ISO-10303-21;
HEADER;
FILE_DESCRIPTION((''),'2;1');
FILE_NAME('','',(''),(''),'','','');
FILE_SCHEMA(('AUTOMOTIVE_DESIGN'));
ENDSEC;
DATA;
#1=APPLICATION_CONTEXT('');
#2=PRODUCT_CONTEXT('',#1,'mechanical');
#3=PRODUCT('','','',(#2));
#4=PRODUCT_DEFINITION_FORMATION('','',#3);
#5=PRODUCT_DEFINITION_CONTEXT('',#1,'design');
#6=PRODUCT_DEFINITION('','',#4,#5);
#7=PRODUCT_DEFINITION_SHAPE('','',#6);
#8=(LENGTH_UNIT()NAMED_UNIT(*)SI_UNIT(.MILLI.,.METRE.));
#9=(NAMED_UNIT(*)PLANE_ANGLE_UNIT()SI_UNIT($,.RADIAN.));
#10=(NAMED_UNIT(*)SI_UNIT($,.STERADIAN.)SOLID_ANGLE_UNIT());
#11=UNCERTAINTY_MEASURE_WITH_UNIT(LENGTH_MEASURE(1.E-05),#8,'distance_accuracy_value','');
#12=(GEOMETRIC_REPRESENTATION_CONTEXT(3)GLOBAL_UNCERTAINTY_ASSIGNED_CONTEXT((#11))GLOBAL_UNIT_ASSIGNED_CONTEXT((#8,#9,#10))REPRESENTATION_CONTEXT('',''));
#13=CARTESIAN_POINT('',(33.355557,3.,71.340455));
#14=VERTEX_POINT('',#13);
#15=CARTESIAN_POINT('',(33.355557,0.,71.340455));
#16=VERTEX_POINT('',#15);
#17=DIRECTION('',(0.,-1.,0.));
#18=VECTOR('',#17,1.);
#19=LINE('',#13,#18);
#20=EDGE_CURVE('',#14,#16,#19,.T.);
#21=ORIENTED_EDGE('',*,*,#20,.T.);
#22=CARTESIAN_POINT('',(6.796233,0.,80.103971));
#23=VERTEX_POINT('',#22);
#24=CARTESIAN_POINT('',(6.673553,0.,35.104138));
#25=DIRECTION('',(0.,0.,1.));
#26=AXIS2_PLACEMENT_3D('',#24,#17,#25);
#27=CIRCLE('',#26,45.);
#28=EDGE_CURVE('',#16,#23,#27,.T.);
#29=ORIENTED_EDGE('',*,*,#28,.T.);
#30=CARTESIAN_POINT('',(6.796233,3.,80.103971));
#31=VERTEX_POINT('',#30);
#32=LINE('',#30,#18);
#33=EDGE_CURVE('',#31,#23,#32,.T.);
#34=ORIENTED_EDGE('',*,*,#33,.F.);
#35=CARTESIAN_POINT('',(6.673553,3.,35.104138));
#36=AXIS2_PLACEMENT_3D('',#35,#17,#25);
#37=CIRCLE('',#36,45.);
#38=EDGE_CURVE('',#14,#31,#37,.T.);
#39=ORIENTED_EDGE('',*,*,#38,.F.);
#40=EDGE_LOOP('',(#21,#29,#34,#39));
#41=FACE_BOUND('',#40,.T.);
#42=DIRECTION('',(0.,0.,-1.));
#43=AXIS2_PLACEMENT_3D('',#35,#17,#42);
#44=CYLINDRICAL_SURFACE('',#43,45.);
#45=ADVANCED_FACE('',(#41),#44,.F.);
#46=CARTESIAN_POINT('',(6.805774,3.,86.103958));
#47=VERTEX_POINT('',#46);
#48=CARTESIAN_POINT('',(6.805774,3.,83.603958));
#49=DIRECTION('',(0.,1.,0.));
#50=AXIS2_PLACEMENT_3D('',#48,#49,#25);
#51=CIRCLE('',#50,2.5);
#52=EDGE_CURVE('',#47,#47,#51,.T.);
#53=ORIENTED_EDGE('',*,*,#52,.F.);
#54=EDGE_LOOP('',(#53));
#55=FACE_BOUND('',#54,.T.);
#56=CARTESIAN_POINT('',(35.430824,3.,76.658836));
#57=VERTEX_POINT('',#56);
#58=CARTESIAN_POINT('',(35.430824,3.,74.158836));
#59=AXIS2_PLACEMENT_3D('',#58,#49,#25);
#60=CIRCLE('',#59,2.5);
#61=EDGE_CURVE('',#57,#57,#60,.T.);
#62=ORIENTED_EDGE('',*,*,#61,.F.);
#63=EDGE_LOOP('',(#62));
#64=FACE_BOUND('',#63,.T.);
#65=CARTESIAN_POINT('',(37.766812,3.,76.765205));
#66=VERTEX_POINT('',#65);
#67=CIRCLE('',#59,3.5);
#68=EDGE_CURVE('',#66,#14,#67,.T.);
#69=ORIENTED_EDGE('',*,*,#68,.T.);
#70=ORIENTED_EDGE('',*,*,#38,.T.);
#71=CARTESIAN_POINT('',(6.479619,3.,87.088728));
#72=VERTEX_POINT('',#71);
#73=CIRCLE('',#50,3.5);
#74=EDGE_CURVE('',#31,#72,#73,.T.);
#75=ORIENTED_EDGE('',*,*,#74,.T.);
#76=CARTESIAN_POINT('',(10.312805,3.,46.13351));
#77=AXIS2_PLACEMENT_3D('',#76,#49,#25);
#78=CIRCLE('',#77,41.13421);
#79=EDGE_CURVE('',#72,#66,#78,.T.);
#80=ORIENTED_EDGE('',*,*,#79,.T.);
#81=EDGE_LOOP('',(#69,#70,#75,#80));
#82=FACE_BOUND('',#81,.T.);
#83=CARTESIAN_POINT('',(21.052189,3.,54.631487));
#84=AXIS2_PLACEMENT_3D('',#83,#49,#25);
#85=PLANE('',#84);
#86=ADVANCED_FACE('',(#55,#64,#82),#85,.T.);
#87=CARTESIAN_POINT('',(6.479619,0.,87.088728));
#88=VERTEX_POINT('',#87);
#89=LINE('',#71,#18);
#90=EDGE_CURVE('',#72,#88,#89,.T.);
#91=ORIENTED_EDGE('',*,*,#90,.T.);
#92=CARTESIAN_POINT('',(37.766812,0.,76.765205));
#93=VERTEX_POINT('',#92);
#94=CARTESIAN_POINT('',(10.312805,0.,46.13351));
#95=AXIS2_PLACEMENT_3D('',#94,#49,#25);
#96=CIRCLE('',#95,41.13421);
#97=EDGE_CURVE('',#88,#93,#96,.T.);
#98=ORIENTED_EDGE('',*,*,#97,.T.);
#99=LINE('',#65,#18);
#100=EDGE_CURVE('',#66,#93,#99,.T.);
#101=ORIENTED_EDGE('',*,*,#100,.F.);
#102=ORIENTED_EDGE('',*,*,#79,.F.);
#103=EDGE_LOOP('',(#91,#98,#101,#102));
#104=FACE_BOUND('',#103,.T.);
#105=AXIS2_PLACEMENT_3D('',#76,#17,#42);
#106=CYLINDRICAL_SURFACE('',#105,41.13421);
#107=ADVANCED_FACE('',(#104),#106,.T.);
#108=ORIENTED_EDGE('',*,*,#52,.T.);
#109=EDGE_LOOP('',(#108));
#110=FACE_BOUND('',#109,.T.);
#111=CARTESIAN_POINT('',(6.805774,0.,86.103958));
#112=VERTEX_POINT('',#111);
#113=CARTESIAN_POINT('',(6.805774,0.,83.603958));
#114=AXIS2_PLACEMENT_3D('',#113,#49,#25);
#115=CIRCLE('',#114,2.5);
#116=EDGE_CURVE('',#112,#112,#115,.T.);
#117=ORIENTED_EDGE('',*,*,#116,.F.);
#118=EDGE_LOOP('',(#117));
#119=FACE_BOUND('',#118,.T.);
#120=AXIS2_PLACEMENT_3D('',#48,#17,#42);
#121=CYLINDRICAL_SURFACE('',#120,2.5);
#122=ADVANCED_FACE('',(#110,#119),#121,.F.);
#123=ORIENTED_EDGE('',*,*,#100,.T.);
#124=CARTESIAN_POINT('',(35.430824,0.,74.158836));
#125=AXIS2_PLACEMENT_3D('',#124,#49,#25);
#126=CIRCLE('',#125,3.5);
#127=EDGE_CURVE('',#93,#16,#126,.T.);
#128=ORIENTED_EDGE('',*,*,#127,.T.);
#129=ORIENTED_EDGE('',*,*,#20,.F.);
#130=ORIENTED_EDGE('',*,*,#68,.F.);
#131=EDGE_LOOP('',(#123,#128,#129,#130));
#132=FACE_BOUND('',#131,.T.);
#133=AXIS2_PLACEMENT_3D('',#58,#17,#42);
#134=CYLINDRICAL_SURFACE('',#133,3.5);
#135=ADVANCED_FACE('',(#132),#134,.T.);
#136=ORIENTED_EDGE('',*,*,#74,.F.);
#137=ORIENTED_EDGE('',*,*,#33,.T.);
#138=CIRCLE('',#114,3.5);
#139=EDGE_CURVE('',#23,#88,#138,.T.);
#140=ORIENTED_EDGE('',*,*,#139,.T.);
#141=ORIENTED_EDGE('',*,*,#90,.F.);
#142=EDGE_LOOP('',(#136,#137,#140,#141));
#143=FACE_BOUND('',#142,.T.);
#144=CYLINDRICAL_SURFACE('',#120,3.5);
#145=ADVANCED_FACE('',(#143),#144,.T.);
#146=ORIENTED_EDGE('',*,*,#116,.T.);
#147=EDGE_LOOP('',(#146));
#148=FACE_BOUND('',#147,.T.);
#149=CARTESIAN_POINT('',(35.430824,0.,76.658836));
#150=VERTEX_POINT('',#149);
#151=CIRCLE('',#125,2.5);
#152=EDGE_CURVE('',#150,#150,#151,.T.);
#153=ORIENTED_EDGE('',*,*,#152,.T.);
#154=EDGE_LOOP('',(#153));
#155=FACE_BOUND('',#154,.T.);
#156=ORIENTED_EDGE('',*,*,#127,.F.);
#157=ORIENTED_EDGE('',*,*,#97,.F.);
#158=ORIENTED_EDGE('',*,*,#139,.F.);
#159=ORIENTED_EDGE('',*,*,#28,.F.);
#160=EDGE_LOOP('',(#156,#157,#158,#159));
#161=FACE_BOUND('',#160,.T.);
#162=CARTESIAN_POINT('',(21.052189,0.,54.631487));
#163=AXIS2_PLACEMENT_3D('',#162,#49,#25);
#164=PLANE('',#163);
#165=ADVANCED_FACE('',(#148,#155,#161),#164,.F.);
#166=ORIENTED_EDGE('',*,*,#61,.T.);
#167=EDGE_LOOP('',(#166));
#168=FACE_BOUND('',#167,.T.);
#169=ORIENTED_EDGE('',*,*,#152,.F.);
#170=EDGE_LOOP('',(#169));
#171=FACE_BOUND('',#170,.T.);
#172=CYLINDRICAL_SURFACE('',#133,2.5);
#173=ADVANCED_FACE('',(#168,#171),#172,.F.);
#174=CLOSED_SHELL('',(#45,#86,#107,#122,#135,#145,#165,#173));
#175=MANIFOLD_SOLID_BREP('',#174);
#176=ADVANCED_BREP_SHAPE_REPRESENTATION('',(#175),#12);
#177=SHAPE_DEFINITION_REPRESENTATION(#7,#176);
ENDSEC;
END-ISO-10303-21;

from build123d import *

# Parameters (mm, degrees)
EXTRUDE_1_DEPTH     = 3
SKETCH_2_R          = 2.5
CUT_EXTRUDE_1_DEPTH = 3


with BuildPart() as part:
    # 草图1 → 凸台-拉伸1 (new body)
    with BuildSketch(Plane(origin=(0, 0, 0), x_dir=(1, 0, 0), z_dir=(0, 1, 0))):
        with BuildLine():
            ThreePointArc((6.796232726, -80.103971167), (3.309364716, -83.445468492), (6.479618851, -87.088728243))
            ThreePointArc((6.479618851, -87.088728243), (23.201931583, -85.196198653), (37.766812343, -76.765204654))
            ThreePointArc((37.766812343, -76.765204654), (38.146329718, -71.950662158), (33.355557274, -71.3404554))
            ThreePointArc((33.355557274, -71.3404554), (20.773998873, -77.837935766), (6.796232726, -80.103971167))
        make_face()
    extrude(amount=EXTRUDE_1_DEPTH)

    # 草图2 → 切除-拉伸1 (cut)
    with BuildSketch(Plane(origin=(0, 0, 0), x_dir=(1, 0, 0), z_dir=(0, 1, 0))):
        with Locations(Location((6.805774449, -83.603958161, 0), (0, 0, 270))):
            Circle(SKETCH_2_R)
        with Locations(Location((35.430824241, -74.158835612, 0), (0, 0, 270))):
            Circle(SKETCH_2_R)
    extrude(amount=CUT_EXTRUDE_1_DEPTH, mode=Mode.SUBTRACT)


solid = part.part
